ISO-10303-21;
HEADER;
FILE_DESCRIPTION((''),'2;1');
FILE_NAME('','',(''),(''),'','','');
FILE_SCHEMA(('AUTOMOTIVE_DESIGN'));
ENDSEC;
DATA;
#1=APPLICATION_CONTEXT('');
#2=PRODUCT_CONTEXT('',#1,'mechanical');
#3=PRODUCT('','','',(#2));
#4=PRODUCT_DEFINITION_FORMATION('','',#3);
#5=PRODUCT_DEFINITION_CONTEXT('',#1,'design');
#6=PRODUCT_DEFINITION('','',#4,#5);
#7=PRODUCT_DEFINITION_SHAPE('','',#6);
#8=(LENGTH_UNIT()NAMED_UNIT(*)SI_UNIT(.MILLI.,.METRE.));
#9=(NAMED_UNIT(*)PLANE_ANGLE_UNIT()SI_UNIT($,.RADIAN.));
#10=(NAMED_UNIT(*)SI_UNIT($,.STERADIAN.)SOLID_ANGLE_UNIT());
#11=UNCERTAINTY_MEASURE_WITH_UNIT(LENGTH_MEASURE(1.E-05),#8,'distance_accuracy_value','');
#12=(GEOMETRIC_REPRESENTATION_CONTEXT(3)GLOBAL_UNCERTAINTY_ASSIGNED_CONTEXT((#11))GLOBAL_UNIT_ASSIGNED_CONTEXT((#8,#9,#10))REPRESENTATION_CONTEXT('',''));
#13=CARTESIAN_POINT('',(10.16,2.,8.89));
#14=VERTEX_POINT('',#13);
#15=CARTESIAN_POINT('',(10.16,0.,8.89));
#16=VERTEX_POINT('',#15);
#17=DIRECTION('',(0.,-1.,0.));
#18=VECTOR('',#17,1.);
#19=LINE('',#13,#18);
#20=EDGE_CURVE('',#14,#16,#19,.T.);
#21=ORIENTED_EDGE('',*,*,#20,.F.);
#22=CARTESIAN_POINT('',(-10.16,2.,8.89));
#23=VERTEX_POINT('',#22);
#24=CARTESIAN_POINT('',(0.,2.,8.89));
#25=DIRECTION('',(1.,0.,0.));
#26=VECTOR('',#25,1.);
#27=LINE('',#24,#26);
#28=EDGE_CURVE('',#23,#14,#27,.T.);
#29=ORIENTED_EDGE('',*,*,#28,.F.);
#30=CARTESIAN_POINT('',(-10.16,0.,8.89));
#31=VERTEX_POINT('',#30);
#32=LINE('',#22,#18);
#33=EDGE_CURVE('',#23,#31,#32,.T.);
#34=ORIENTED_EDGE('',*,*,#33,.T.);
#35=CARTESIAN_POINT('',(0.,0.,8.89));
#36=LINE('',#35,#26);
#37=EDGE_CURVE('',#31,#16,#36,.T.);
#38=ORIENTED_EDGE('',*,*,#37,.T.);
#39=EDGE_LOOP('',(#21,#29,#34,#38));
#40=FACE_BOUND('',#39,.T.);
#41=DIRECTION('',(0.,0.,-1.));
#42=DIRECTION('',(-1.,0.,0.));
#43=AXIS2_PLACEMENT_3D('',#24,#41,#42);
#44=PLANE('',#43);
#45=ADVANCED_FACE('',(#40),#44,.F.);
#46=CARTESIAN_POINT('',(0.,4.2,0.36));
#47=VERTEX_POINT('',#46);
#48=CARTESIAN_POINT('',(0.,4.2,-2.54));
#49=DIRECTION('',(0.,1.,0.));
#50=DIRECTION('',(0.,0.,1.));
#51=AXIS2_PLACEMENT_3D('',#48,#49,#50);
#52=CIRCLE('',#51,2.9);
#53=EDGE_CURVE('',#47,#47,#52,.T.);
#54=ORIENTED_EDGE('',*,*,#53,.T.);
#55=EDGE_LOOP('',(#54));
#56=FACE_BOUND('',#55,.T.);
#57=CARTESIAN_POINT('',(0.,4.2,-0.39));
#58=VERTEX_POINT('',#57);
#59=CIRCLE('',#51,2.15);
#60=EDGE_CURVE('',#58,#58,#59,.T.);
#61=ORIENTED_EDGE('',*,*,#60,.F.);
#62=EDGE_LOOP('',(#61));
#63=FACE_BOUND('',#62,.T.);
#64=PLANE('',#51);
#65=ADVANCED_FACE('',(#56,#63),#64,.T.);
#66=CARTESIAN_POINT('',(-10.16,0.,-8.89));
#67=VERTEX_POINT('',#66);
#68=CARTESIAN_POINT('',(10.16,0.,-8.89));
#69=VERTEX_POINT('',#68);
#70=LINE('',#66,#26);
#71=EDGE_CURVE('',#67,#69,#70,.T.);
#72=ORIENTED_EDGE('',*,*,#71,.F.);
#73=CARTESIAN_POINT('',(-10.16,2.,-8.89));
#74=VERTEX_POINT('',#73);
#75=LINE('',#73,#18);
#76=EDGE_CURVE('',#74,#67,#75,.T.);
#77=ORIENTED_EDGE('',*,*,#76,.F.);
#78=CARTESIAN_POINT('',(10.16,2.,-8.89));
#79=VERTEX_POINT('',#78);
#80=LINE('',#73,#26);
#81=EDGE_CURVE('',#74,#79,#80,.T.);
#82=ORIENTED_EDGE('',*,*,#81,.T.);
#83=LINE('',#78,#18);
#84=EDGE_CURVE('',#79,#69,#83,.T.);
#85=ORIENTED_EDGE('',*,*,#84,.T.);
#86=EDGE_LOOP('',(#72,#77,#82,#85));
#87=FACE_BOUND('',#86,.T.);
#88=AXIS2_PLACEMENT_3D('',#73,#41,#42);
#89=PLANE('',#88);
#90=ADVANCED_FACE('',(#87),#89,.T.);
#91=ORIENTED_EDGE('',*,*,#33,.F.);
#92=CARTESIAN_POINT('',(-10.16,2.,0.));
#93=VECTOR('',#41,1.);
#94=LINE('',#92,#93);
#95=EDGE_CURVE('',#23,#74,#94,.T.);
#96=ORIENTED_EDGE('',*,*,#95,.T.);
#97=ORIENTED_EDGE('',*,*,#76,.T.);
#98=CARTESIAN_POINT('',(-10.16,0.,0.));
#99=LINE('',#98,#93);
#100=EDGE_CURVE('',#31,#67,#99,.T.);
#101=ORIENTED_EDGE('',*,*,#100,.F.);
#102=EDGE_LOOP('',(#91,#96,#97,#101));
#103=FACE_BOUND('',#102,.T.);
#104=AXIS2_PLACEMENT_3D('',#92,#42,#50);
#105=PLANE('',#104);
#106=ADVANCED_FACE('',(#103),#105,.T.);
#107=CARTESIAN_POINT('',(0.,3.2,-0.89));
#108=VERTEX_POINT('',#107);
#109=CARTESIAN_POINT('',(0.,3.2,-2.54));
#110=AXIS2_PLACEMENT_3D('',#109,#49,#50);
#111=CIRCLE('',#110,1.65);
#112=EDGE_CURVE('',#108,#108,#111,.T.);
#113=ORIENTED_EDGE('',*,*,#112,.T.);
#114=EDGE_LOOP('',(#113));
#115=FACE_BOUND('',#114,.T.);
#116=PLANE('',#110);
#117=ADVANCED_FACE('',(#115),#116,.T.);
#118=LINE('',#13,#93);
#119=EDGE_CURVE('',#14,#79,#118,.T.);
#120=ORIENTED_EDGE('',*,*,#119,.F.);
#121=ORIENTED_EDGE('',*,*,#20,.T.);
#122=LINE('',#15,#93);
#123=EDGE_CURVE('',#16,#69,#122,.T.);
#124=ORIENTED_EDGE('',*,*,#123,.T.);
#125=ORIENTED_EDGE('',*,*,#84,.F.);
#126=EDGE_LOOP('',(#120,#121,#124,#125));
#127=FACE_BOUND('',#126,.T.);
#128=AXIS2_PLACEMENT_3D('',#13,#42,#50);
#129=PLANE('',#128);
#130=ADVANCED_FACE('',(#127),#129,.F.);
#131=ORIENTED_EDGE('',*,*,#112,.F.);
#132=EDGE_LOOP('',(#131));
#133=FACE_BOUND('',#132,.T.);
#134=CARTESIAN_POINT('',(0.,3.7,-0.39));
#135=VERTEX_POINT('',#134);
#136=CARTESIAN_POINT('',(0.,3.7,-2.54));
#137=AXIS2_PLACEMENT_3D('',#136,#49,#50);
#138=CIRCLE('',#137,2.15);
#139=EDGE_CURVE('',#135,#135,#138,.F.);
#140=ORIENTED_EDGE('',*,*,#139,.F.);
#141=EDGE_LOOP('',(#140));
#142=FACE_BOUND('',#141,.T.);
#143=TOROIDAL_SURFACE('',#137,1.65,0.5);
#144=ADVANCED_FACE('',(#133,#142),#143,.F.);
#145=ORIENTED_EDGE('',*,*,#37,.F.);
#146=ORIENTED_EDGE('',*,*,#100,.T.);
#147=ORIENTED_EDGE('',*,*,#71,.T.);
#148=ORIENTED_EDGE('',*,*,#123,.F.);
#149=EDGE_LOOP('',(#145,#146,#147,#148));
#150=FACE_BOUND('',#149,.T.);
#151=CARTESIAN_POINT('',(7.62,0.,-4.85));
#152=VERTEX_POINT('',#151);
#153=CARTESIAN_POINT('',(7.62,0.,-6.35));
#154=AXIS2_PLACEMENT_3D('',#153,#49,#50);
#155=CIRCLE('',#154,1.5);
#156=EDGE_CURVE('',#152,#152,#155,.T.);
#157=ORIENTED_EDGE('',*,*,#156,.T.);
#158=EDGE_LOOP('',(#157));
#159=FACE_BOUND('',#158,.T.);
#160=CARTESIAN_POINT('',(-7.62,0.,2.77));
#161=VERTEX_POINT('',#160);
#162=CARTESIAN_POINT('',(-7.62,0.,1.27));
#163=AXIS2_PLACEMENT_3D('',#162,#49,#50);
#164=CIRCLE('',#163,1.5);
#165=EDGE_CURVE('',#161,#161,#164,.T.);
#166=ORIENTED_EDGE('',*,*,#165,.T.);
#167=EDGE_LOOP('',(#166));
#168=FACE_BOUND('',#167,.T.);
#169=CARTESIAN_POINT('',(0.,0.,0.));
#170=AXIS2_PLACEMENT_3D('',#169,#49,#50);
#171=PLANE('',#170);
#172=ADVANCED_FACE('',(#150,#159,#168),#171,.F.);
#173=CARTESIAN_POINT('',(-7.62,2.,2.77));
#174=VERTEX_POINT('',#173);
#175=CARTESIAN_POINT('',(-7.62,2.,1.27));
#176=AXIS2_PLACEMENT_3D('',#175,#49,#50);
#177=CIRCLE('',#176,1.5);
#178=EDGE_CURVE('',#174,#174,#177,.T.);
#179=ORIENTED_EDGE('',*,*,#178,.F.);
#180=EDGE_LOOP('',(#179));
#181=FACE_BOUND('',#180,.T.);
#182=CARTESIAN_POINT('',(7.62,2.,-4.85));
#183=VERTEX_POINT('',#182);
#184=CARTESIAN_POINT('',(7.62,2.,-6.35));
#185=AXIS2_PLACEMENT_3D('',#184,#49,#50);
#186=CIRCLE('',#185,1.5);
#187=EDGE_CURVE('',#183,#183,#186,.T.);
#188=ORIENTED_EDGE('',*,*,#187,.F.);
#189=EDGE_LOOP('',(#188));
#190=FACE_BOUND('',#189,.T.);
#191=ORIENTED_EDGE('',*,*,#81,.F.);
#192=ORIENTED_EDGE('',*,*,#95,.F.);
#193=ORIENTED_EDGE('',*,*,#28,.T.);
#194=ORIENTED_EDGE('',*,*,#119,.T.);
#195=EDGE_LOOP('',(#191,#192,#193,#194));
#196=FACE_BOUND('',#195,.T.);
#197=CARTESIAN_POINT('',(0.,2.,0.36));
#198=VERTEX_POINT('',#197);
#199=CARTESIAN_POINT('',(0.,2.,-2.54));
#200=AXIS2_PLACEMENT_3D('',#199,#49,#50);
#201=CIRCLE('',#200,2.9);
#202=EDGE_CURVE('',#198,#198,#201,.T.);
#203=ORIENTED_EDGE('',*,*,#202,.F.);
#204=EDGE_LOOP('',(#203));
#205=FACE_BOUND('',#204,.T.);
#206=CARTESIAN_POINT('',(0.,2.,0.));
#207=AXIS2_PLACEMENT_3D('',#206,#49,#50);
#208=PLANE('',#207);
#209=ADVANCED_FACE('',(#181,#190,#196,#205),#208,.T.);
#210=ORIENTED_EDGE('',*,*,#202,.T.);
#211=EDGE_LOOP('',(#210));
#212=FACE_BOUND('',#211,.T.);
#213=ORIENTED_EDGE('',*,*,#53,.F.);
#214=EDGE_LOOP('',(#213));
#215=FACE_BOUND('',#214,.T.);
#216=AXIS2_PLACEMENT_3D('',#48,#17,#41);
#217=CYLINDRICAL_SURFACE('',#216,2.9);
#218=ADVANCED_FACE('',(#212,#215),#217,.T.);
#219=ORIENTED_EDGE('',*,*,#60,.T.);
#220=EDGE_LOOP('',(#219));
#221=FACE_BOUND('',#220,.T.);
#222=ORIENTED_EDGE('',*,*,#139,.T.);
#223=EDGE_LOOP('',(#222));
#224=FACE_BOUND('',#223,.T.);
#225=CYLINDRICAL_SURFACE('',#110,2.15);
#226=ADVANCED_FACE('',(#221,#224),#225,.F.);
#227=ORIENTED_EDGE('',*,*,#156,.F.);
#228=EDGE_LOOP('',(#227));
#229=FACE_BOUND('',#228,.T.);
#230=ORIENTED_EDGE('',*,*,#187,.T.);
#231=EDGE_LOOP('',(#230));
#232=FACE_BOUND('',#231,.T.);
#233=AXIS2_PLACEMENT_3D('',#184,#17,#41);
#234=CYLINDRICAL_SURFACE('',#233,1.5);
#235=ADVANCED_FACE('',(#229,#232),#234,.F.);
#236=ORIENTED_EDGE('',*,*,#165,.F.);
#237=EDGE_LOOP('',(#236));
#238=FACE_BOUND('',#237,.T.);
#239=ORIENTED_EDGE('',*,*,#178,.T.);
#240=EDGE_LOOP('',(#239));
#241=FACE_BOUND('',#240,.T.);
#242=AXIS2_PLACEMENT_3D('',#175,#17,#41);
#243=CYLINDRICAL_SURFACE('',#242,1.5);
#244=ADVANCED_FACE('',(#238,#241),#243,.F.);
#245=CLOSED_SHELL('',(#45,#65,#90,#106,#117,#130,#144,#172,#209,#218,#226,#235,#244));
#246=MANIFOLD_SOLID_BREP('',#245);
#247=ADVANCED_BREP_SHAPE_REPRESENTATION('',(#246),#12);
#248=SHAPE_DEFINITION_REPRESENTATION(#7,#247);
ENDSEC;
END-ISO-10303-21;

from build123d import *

# Parameters (mm, degrees)
SKETCH2_W           = 20.32
SKETCH2_H           = 17.78
SKETCH2_R           = 1.5
BOSS_EXTRUDE1_DEPTH = 2
SKETCH3_R           = 2.9
BOSS_EXTRUDE2_DEPTH = 2.2
SKETCH4_R           = 2.15
CUT_EXTRUDE1_DEPTH  = 1
FILLET2_R           = 0.5


with BuildPart() as part:
    # Sketch2 → Boss-Extrude1 (new body)
    with BuildSketch(Plane(origin=(0, 0, 0), x_dir=(1, 0, 0), z_dir=(0, 1, 0))):
        Rectangle(SKETCH2_W, SKETCH2_H)
        with Locations(Location((7.62, 6.35, 0), (0, 0, 270))):
            Circle(SKETCH2_R, mode=Mode.SUBTRACT)
        with Locations(Location((-7.62, -1.27, 0), (0, 0, 270))):
            Circle(SKETCH2_R, mode=Mode.SUBTRACT)
    extrude(amount=BOSS_EXTRUDE1_DEPTH)

    # Sketch3 → Boss-Extrude2 (add)
    with BuildSketch(Plane(origin=(0, 2, 0), x_dir=(1, 0, 0), z_dir=(0, 1, 0))):
        with Locations(Location((0, 2.54, 0), (0, 0, 270))):
            Circle(SKETCH3_R)
    extrude(amount=BOSS_EXTRUDE2_DEPTH)

    # Sketch4 → Cut-Extrude1 (cut)
    with BuildSketch(Plane(origin=(0, 4.2, 0), x_dir=(1, 0, 0), z_dir=(0, 1, 0))):
        with Locations(Location((0, 2.54, 0), (0, 0, 270))):
            Circle(SKETCH4_R)
    extrude(amount=-CUT_EXTRUDE1_DEPTH, mode=Mode.SUBTRACT)

    # Fillet2
    fillet2_edges = [part.edges().sort_by_distance(p)[0] for p in [
        (0, 3.2, -4.69),
    ]]
    fillet(fillet2_edges, radius=FILLET2_R)


solid = part.part
